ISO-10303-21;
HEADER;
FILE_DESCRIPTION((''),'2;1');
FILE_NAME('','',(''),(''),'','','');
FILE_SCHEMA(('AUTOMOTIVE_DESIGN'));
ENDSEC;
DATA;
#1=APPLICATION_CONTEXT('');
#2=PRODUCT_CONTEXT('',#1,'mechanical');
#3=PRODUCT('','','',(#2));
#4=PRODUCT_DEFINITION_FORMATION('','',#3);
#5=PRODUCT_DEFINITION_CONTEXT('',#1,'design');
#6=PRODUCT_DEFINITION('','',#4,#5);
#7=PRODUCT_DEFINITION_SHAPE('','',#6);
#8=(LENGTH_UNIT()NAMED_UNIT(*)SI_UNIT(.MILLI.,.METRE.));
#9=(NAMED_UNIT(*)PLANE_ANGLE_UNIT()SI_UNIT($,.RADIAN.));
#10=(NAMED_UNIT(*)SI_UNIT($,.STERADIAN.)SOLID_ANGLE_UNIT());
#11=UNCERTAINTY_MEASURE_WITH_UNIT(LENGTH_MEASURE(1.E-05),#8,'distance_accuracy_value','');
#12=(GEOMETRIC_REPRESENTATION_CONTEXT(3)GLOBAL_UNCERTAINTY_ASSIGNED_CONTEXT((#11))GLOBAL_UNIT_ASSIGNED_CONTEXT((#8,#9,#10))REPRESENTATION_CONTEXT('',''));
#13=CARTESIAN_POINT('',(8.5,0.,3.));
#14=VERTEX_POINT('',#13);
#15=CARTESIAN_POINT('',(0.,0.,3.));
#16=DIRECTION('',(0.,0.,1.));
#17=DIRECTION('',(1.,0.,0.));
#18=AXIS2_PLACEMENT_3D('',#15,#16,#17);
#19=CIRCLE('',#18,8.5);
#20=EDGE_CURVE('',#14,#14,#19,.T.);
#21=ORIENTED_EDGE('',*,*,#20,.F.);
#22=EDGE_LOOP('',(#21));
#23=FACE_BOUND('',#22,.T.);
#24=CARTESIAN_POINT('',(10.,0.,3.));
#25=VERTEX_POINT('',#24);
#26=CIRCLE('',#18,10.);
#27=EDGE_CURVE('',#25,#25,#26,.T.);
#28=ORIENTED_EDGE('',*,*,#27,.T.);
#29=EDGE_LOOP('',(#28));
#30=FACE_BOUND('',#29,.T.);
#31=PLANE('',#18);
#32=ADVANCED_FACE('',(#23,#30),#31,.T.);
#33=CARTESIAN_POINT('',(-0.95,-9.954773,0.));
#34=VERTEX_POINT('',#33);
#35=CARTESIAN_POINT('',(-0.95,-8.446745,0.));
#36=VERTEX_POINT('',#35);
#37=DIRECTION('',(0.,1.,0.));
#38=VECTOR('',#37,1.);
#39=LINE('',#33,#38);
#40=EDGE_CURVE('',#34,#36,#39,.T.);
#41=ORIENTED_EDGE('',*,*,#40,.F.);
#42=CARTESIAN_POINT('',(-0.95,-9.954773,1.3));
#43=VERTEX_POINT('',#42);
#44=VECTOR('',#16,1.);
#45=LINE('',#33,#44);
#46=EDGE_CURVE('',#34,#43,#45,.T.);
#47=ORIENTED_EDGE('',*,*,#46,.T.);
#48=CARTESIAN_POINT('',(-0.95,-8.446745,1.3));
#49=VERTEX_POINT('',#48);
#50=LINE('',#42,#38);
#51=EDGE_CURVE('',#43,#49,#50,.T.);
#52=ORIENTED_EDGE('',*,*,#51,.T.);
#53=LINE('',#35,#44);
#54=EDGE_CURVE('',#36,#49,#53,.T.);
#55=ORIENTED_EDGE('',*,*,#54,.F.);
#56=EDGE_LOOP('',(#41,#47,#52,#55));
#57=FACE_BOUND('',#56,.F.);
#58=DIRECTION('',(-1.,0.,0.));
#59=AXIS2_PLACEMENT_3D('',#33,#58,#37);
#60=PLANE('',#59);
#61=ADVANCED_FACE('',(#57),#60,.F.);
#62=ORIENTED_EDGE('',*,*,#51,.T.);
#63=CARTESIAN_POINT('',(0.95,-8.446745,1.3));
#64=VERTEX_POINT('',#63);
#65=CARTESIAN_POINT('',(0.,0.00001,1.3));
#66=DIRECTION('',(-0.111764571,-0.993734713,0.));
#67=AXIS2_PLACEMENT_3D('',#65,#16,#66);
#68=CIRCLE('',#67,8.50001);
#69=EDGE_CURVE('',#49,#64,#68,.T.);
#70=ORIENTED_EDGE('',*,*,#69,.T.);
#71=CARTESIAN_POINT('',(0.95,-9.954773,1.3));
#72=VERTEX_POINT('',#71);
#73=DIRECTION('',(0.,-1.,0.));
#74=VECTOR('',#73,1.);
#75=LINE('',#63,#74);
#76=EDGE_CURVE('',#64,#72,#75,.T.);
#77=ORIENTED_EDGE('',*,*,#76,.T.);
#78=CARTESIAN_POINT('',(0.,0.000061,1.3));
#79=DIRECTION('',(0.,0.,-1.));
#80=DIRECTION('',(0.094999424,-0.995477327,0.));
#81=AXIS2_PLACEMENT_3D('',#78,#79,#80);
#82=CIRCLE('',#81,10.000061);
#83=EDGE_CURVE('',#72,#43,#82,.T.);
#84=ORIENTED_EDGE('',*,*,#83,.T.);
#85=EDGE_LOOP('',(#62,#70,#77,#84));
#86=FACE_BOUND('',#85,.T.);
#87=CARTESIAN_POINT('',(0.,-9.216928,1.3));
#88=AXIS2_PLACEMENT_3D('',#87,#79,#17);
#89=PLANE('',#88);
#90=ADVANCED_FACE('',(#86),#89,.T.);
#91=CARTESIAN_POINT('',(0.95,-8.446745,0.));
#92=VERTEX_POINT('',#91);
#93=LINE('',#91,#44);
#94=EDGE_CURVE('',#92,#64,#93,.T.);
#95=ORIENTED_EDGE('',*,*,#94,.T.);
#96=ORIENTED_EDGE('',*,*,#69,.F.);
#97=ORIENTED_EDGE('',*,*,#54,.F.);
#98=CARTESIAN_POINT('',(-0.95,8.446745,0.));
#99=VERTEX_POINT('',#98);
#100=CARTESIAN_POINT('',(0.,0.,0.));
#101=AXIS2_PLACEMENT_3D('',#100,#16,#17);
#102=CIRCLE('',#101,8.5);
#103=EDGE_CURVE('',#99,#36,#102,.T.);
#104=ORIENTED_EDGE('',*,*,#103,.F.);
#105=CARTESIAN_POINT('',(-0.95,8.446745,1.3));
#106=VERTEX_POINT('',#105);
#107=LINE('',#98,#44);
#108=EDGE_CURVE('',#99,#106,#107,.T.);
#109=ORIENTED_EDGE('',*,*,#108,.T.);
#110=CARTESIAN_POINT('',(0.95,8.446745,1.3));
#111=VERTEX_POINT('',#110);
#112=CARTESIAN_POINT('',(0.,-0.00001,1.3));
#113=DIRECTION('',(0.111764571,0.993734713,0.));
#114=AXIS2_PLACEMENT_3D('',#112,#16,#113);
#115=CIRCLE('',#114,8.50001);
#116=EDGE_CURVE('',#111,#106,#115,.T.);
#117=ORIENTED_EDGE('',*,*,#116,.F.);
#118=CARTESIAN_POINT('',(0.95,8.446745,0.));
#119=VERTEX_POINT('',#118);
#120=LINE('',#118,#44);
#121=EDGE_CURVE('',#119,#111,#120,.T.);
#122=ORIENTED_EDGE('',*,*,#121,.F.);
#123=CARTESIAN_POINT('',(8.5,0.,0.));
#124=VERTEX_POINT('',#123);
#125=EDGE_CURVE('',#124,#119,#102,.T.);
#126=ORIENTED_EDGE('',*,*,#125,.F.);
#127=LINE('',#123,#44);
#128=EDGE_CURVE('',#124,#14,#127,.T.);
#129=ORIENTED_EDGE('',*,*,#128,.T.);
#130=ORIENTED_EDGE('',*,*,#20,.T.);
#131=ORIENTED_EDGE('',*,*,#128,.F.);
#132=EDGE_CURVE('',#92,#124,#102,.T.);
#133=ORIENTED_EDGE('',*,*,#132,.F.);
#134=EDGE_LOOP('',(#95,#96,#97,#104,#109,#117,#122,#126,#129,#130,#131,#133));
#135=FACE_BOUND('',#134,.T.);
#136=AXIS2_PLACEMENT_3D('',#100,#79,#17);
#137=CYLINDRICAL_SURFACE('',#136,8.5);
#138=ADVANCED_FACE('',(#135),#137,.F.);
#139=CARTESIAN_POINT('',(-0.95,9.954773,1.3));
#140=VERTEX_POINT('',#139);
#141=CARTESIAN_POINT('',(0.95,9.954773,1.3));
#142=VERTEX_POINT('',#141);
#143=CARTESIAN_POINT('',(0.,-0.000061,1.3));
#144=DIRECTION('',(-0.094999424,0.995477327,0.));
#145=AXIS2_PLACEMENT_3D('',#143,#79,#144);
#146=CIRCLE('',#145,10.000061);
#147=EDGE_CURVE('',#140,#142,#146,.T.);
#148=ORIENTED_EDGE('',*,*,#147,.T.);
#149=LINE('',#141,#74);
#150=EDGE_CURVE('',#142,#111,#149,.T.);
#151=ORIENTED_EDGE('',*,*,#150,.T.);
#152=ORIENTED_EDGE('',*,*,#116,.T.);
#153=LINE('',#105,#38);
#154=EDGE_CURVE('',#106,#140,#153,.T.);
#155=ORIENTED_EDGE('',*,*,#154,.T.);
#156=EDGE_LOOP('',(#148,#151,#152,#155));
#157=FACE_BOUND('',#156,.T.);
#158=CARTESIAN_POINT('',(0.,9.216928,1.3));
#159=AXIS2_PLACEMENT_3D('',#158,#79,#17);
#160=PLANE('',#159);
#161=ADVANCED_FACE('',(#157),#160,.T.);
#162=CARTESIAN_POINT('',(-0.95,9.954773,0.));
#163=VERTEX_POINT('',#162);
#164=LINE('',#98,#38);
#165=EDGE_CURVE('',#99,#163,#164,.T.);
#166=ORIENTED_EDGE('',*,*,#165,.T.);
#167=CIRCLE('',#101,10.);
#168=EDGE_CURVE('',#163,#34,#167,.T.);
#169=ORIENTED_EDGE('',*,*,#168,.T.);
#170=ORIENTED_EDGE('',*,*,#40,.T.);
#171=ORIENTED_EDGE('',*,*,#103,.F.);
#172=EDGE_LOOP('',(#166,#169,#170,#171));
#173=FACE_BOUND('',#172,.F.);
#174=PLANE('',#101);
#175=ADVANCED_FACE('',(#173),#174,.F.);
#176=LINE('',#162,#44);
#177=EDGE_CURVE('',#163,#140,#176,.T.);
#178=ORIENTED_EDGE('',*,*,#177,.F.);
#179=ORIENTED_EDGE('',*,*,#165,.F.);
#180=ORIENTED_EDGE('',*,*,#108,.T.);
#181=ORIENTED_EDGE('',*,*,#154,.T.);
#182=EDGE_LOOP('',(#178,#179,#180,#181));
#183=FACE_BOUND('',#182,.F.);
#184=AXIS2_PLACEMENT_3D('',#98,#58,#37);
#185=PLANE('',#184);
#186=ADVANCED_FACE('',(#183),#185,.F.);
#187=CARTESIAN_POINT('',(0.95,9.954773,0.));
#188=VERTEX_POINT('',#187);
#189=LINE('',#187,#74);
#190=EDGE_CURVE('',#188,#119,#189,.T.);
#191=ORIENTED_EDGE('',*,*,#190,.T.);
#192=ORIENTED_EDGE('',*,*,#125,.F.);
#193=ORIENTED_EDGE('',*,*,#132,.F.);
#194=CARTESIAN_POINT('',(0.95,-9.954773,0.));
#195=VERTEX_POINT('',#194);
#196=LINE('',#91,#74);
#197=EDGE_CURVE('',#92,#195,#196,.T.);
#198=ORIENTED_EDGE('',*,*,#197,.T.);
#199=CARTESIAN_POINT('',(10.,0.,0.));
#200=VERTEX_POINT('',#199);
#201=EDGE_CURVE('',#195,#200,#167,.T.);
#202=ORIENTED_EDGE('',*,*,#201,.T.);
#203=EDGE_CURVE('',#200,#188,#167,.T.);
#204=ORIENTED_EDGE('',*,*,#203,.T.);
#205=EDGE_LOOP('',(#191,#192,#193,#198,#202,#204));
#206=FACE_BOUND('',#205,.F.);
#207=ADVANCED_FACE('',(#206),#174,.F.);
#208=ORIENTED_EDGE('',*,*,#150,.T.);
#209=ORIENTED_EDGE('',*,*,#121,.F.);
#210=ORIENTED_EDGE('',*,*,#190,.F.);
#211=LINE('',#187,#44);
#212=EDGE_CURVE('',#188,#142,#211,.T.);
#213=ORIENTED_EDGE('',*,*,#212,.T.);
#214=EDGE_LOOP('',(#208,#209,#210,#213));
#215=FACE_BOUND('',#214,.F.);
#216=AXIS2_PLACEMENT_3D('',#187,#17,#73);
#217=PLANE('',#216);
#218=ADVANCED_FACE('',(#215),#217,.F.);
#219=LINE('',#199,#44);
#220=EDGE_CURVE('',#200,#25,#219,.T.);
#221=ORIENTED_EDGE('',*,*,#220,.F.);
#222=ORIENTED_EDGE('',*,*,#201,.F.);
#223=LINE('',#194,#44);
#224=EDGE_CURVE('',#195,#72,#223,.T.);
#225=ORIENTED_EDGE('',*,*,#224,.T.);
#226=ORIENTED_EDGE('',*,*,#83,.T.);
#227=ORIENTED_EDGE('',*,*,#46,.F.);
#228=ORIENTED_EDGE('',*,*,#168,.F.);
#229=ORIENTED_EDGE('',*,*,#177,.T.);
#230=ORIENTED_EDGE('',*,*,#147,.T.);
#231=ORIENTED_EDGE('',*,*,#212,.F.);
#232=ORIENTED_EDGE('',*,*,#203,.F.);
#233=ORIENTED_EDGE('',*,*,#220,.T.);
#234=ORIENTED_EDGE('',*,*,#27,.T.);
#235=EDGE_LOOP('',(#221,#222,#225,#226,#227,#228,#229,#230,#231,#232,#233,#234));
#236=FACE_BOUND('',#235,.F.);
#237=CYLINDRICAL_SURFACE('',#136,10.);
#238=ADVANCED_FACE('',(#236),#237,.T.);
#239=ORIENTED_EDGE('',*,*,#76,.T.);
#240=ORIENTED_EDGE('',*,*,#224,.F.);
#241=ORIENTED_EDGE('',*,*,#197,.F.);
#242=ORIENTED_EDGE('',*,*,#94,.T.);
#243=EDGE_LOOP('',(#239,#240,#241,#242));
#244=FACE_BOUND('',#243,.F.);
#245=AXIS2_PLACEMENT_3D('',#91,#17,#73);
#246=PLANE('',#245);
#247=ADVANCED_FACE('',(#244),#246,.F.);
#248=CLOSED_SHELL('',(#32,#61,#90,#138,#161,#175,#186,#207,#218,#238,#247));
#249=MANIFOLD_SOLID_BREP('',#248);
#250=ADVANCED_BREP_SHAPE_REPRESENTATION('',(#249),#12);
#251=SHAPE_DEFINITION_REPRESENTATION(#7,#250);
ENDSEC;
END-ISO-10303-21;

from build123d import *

# Parameters (mm, degrees)
F0_R     = 10
F0_R_2   = 8.5
F1_DEPTH = 3
F3_DEPTH = 1.3


with BuildPart() as f1:
    # F0 (on Top) → F1 (new body)
    with BuildSketch(Plane.XY):
        Circle(F0_R)
        Circle(F0_R_2, mode=Mode.SUBTRACT)
    extrude(amount=F1_DEPTH)

    # F2 (on face) → F3 (cut)
    with BuildSketch(Plane(origin=(0, 0, 0), x_dir=(1, 0, 0), z_dir=(0, 0, -1))):
        with BuildLine():
            ThreePointArc((0.95, 9.954773), (0, 10), (-0.95, 9.954773))
            Line((-0.95, 9.954773), (-0.95, 8.446745))
            ThreePointArc((-0.95, 8.446745), (0, 8.5), (0.95, 8.446745))
            Line((0.95, 8.446745), (0.95, 9.954773))
        make_face()
        with BuildLine():
            ThreePointArc((-0.95, -9.954773), (0, -10), (0.95, -9.954773))
            Line((0.95, -9.954773), (0.95, -8.446745))
            ThreePointArc((0.95, -8.446745), (0, -8.5), (-0.95, -8.446745))
            Line((-0.95, -8.446745), (-0.95, -9.954773))
        make_face()
    extrude(amount=-F3_DEPTH, mode=Mode.SUBTRACT)


solid = f1.part
